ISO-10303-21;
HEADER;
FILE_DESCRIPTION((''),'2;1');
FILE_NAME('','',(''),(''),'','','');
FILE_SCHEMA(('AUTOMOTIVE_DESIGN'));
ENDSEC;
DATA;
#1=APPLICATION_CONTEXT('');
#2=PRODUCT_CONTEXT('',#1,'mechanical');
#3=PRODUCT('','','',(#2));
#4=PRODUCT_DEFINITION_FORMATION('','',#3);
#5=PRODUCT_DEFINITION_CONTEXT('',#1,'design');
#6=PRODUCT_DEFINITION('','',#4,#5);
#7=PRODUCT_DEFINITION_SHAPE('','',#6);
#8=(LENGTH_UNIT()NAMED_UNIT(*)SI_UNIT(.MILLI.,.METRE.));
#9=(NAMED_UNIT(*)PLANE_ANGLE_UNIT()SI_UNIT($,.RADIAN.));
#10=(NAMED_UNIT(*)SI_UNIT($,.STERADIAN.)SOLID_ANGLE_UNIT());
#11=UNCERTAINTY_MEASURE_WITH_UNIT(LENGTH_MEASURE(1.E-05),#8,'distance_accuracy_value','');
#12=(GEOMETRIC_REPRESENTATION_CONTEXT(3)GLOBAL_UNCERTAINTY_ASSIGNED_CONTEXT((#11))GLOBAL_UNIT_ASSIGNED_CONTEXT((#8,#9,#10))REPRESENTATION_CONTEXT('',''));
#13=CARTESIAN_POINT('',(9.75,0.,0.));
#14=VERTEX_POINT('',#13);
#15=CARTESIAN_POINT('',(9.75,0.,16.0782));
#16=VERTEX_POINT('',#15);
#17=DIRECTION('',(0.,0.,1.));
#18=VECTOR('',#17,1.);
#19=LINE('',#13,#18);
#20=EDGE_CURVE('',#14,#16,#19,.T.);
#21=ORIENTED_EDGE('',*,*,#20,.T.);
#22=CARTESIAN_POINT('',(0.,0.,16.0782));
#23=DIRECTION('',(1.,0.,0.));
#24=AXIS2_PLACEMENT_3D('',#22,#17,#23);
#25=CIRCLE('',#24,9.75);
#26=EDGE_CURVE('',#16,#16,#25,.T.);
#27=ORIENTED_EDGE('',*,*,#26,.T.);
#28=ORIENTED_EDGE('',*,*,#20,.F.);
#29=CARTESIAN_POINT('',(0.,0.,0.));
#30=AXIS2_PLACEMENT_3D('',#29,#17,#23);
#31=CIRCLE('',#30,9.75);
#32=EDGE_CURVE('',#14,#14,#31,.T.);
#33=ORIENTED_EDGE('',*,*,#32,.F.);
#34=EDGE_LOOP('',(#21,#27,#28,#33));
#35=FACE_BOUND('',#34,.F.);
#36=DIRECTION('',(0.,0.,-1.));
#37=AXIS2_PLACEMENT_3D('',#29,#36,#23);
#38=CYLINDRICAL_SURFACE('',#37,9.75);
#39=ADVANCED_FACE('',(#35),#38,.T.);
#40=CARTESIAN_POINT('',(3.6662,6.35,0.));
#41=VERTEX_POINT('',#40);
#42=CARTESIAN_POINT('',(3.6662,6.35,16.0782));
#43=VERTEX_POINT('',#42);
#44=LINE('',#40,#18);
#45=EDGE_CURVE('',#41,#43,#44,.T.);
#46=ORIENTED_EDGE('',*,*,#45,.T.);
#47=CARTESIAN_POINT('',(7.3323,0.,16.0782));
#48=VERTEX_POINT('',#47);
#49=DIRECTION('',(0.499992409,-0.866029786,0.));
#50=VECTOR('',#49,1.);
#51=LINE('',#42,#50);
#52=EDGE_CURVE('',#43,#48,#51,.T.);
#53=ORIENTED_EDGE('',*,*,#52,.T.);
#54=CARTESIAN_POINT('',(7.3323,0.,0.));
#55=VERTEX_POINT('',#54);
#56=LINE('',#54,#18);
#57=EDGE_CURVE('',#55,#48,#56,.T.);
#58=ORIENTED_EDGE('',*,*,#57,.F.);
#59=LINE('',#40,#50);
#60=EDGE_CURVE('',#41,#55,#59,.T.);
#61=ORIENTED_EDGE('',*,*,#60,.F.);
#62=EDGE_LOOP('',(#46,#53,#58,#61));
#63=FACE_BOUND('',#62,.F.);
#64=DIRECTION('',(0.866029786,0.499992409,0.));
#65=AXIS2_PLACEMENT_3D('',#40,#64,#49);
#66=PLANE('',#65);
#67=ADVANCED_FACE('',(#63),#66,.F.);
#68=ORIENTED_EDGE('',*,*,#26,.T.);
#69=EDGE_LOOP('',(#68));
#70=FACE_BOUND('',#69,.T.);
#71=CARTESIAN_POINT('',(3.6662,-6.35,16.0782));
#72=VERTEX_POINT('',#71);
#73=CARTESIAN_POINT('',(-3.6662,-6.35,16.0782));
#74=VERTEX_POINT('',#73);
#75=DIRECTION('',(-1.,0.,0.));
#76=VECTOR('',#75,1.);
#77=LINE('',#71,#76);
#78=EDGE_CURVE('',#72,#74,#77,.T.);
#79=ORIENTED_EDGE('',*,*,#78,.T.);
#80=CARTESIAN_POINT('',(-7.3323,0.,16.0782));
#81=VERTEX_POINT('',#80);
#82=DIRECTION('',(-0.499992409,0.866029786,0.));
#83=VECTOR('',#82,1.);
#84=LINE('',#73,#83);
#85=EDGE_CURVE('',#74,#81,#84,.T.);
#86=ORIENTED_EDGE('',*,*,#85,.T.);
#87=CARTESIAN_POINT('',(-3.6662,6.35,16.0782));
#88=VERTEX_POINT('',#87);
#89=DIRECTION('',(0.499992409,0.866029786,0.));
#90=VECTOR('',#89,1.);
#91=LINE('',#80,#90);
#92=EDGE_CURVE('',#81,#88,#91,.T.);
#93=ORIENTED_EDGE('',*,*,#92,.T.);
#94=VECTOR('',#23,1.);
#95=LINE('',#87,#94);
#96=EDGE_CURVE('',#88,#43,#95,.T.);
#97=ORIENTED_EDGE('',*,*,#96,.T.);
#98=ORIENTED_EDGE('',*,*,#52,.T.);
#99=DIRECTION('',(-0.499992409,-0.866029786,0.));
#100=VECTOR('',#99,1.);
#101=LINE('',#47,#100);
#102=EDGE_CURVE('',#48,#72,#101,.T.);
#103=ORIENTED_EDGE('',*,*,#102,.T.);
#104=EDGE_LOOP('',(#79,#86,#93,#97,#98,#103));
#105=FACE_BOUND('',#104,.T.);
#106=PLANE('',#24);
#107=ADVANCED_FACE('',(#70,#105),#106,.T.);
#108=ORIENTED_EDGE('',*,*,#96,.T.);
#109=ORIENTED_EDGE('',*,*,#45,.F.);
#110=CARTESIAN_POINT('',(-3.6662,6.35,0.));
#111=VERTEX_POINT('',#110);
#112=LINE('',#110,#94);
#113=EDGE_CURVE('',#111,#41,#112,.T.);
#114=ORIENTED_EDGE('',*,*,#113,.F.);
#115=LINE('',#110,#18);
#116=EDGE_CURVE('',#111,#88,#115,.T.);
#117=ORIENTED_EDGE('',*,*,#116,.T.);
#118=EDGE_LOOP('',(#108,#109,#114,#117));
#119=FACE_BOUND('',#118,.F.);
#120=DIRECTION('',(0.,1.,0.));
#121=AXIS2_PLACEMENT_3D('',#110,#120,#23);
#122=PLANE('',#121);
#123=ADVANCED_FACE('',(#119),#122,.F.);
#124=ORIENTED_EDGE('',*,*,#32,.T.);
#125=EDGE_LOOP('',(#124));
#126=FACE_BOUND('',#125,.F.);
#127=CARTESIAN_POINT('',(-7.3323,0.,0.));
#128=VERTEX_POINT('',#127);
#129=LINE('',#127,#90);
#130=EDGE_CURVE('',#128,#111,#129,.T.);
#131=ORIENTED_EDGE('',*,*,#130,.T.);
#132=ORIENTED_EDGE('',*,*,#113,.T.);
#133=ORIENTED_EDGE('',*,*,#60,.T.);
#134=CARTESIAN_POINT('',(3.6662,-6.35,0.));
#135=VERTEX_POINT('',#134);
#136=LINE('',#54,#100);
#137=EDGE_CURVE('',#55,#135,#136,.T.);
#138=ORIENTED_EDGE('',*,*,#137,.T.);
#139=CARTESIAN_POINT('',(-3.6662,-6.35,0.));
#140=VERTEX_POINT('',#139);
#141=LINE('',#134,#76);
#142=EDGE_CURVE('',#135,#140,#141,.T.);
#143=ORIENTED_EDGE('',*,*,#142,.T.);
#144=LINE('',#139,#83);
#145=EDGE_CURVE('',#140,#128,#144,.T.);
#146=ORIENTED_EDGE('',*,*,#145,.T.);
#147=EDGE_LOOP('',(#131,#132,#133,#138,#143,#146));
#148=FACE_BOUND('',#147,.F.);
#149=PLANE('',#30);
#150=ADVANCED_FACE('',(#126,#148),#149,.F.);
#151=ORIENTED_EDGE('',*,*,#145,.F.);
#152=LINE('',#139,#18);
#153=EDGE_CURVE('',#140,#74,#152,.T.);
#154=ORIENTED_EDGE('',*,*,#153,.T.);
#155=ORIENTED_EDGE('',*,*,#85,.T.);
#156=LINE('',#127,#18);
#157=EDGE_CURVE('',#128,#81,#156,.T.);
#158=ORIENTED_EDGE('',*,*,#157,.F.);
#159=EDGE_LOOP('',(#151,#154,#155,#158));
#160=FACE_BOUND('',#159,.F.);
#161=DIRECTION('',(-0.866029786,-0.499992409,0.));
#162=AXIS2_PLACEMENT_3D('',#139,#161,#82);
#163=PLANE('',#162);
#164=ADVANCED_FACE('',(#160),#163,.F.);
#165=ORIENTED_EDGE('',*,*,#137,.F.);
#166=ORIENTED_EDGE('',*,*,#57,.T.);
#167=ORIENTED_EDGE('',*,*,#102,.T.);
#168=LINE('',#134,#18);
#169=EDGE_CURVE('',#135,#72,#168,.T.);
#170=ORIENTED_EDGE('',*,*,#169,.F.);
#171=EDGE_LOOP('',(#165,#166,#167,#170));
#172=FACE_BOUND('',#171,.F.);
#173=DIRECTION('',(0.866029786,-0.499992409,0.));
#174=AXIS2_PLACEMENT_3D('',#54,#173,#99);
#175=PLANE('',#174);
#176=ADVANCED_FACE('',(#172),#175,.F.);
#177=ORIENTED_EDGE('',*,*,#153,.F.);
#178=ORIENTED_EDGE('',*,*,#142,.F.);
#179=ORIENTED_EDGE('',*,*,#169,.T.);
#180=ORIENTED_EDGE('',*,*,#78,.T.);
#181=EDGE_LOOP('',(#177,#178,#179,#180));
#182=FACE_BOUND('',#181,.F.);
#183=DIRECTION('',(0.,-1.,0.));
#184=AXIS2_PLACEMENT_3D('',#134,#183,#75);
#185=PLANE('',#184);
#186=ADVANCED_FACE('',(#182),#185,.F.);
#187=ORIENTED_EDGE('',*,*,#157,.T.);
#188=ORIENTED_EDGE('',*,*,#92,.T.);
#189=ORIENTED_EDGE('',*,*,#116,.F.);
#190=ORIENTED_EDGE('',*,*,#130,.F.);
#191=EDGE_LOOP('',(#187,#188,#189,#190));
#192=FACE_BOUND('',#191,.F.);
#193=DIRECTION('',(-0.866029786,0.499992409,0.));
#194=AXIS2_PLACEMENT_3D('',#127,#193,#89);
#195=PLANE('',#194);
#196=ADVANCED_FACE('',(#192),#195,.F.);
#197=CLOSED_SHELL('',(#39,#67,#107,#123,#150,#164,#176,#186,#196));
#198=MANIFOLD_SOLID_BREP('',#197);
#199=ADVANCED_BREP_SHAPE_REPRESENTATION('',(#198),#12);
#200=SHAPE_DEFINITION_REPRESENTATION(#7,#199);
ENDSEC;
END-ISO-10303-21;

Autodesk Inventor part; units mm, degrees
ref_plane "YZ Plane" through (0, 0, 0) normal (1, 0, 0) x (0, 1, 0)
ref_plane "XZ Plane" through (0, 0, 0) normal (0, 1, 0) x (-1, 0, 0)
ref_plane "XY Plane" through (0, 0, 0) normal (0, 0, 1) x (1, 0, 0)
sketch "Sketch1" plane through (0, 0, 0) normal (0, 0, 1) x (1, 0, 0)
  circle A0 centre (0, 0) radius 9.75
  line L0 (-7.3323, 0) -> (-3.6662, 6.35)
  line L1 (-3.6662, 6.35) -> (3.6662, 6.35)
  line L2 (3.6662, 6.35) -> (7.3323, 0)
  line L3 (7.3323, 0) -> (3.6662, -6.35)
  line L4 (3.6662, -6.35) -> (-3.6662, -6.35)
  line L5 (-3.6662, -6.35) -> (-7.3323, 0)
  dimension "d0" = 19.5
  dimension "d1" = 12.7
extrude "Extrusion1" add sketch "Sketch1" along normal blind 16.0782
properties part number "spacer_0.633inches" material "PVC-Piping"
